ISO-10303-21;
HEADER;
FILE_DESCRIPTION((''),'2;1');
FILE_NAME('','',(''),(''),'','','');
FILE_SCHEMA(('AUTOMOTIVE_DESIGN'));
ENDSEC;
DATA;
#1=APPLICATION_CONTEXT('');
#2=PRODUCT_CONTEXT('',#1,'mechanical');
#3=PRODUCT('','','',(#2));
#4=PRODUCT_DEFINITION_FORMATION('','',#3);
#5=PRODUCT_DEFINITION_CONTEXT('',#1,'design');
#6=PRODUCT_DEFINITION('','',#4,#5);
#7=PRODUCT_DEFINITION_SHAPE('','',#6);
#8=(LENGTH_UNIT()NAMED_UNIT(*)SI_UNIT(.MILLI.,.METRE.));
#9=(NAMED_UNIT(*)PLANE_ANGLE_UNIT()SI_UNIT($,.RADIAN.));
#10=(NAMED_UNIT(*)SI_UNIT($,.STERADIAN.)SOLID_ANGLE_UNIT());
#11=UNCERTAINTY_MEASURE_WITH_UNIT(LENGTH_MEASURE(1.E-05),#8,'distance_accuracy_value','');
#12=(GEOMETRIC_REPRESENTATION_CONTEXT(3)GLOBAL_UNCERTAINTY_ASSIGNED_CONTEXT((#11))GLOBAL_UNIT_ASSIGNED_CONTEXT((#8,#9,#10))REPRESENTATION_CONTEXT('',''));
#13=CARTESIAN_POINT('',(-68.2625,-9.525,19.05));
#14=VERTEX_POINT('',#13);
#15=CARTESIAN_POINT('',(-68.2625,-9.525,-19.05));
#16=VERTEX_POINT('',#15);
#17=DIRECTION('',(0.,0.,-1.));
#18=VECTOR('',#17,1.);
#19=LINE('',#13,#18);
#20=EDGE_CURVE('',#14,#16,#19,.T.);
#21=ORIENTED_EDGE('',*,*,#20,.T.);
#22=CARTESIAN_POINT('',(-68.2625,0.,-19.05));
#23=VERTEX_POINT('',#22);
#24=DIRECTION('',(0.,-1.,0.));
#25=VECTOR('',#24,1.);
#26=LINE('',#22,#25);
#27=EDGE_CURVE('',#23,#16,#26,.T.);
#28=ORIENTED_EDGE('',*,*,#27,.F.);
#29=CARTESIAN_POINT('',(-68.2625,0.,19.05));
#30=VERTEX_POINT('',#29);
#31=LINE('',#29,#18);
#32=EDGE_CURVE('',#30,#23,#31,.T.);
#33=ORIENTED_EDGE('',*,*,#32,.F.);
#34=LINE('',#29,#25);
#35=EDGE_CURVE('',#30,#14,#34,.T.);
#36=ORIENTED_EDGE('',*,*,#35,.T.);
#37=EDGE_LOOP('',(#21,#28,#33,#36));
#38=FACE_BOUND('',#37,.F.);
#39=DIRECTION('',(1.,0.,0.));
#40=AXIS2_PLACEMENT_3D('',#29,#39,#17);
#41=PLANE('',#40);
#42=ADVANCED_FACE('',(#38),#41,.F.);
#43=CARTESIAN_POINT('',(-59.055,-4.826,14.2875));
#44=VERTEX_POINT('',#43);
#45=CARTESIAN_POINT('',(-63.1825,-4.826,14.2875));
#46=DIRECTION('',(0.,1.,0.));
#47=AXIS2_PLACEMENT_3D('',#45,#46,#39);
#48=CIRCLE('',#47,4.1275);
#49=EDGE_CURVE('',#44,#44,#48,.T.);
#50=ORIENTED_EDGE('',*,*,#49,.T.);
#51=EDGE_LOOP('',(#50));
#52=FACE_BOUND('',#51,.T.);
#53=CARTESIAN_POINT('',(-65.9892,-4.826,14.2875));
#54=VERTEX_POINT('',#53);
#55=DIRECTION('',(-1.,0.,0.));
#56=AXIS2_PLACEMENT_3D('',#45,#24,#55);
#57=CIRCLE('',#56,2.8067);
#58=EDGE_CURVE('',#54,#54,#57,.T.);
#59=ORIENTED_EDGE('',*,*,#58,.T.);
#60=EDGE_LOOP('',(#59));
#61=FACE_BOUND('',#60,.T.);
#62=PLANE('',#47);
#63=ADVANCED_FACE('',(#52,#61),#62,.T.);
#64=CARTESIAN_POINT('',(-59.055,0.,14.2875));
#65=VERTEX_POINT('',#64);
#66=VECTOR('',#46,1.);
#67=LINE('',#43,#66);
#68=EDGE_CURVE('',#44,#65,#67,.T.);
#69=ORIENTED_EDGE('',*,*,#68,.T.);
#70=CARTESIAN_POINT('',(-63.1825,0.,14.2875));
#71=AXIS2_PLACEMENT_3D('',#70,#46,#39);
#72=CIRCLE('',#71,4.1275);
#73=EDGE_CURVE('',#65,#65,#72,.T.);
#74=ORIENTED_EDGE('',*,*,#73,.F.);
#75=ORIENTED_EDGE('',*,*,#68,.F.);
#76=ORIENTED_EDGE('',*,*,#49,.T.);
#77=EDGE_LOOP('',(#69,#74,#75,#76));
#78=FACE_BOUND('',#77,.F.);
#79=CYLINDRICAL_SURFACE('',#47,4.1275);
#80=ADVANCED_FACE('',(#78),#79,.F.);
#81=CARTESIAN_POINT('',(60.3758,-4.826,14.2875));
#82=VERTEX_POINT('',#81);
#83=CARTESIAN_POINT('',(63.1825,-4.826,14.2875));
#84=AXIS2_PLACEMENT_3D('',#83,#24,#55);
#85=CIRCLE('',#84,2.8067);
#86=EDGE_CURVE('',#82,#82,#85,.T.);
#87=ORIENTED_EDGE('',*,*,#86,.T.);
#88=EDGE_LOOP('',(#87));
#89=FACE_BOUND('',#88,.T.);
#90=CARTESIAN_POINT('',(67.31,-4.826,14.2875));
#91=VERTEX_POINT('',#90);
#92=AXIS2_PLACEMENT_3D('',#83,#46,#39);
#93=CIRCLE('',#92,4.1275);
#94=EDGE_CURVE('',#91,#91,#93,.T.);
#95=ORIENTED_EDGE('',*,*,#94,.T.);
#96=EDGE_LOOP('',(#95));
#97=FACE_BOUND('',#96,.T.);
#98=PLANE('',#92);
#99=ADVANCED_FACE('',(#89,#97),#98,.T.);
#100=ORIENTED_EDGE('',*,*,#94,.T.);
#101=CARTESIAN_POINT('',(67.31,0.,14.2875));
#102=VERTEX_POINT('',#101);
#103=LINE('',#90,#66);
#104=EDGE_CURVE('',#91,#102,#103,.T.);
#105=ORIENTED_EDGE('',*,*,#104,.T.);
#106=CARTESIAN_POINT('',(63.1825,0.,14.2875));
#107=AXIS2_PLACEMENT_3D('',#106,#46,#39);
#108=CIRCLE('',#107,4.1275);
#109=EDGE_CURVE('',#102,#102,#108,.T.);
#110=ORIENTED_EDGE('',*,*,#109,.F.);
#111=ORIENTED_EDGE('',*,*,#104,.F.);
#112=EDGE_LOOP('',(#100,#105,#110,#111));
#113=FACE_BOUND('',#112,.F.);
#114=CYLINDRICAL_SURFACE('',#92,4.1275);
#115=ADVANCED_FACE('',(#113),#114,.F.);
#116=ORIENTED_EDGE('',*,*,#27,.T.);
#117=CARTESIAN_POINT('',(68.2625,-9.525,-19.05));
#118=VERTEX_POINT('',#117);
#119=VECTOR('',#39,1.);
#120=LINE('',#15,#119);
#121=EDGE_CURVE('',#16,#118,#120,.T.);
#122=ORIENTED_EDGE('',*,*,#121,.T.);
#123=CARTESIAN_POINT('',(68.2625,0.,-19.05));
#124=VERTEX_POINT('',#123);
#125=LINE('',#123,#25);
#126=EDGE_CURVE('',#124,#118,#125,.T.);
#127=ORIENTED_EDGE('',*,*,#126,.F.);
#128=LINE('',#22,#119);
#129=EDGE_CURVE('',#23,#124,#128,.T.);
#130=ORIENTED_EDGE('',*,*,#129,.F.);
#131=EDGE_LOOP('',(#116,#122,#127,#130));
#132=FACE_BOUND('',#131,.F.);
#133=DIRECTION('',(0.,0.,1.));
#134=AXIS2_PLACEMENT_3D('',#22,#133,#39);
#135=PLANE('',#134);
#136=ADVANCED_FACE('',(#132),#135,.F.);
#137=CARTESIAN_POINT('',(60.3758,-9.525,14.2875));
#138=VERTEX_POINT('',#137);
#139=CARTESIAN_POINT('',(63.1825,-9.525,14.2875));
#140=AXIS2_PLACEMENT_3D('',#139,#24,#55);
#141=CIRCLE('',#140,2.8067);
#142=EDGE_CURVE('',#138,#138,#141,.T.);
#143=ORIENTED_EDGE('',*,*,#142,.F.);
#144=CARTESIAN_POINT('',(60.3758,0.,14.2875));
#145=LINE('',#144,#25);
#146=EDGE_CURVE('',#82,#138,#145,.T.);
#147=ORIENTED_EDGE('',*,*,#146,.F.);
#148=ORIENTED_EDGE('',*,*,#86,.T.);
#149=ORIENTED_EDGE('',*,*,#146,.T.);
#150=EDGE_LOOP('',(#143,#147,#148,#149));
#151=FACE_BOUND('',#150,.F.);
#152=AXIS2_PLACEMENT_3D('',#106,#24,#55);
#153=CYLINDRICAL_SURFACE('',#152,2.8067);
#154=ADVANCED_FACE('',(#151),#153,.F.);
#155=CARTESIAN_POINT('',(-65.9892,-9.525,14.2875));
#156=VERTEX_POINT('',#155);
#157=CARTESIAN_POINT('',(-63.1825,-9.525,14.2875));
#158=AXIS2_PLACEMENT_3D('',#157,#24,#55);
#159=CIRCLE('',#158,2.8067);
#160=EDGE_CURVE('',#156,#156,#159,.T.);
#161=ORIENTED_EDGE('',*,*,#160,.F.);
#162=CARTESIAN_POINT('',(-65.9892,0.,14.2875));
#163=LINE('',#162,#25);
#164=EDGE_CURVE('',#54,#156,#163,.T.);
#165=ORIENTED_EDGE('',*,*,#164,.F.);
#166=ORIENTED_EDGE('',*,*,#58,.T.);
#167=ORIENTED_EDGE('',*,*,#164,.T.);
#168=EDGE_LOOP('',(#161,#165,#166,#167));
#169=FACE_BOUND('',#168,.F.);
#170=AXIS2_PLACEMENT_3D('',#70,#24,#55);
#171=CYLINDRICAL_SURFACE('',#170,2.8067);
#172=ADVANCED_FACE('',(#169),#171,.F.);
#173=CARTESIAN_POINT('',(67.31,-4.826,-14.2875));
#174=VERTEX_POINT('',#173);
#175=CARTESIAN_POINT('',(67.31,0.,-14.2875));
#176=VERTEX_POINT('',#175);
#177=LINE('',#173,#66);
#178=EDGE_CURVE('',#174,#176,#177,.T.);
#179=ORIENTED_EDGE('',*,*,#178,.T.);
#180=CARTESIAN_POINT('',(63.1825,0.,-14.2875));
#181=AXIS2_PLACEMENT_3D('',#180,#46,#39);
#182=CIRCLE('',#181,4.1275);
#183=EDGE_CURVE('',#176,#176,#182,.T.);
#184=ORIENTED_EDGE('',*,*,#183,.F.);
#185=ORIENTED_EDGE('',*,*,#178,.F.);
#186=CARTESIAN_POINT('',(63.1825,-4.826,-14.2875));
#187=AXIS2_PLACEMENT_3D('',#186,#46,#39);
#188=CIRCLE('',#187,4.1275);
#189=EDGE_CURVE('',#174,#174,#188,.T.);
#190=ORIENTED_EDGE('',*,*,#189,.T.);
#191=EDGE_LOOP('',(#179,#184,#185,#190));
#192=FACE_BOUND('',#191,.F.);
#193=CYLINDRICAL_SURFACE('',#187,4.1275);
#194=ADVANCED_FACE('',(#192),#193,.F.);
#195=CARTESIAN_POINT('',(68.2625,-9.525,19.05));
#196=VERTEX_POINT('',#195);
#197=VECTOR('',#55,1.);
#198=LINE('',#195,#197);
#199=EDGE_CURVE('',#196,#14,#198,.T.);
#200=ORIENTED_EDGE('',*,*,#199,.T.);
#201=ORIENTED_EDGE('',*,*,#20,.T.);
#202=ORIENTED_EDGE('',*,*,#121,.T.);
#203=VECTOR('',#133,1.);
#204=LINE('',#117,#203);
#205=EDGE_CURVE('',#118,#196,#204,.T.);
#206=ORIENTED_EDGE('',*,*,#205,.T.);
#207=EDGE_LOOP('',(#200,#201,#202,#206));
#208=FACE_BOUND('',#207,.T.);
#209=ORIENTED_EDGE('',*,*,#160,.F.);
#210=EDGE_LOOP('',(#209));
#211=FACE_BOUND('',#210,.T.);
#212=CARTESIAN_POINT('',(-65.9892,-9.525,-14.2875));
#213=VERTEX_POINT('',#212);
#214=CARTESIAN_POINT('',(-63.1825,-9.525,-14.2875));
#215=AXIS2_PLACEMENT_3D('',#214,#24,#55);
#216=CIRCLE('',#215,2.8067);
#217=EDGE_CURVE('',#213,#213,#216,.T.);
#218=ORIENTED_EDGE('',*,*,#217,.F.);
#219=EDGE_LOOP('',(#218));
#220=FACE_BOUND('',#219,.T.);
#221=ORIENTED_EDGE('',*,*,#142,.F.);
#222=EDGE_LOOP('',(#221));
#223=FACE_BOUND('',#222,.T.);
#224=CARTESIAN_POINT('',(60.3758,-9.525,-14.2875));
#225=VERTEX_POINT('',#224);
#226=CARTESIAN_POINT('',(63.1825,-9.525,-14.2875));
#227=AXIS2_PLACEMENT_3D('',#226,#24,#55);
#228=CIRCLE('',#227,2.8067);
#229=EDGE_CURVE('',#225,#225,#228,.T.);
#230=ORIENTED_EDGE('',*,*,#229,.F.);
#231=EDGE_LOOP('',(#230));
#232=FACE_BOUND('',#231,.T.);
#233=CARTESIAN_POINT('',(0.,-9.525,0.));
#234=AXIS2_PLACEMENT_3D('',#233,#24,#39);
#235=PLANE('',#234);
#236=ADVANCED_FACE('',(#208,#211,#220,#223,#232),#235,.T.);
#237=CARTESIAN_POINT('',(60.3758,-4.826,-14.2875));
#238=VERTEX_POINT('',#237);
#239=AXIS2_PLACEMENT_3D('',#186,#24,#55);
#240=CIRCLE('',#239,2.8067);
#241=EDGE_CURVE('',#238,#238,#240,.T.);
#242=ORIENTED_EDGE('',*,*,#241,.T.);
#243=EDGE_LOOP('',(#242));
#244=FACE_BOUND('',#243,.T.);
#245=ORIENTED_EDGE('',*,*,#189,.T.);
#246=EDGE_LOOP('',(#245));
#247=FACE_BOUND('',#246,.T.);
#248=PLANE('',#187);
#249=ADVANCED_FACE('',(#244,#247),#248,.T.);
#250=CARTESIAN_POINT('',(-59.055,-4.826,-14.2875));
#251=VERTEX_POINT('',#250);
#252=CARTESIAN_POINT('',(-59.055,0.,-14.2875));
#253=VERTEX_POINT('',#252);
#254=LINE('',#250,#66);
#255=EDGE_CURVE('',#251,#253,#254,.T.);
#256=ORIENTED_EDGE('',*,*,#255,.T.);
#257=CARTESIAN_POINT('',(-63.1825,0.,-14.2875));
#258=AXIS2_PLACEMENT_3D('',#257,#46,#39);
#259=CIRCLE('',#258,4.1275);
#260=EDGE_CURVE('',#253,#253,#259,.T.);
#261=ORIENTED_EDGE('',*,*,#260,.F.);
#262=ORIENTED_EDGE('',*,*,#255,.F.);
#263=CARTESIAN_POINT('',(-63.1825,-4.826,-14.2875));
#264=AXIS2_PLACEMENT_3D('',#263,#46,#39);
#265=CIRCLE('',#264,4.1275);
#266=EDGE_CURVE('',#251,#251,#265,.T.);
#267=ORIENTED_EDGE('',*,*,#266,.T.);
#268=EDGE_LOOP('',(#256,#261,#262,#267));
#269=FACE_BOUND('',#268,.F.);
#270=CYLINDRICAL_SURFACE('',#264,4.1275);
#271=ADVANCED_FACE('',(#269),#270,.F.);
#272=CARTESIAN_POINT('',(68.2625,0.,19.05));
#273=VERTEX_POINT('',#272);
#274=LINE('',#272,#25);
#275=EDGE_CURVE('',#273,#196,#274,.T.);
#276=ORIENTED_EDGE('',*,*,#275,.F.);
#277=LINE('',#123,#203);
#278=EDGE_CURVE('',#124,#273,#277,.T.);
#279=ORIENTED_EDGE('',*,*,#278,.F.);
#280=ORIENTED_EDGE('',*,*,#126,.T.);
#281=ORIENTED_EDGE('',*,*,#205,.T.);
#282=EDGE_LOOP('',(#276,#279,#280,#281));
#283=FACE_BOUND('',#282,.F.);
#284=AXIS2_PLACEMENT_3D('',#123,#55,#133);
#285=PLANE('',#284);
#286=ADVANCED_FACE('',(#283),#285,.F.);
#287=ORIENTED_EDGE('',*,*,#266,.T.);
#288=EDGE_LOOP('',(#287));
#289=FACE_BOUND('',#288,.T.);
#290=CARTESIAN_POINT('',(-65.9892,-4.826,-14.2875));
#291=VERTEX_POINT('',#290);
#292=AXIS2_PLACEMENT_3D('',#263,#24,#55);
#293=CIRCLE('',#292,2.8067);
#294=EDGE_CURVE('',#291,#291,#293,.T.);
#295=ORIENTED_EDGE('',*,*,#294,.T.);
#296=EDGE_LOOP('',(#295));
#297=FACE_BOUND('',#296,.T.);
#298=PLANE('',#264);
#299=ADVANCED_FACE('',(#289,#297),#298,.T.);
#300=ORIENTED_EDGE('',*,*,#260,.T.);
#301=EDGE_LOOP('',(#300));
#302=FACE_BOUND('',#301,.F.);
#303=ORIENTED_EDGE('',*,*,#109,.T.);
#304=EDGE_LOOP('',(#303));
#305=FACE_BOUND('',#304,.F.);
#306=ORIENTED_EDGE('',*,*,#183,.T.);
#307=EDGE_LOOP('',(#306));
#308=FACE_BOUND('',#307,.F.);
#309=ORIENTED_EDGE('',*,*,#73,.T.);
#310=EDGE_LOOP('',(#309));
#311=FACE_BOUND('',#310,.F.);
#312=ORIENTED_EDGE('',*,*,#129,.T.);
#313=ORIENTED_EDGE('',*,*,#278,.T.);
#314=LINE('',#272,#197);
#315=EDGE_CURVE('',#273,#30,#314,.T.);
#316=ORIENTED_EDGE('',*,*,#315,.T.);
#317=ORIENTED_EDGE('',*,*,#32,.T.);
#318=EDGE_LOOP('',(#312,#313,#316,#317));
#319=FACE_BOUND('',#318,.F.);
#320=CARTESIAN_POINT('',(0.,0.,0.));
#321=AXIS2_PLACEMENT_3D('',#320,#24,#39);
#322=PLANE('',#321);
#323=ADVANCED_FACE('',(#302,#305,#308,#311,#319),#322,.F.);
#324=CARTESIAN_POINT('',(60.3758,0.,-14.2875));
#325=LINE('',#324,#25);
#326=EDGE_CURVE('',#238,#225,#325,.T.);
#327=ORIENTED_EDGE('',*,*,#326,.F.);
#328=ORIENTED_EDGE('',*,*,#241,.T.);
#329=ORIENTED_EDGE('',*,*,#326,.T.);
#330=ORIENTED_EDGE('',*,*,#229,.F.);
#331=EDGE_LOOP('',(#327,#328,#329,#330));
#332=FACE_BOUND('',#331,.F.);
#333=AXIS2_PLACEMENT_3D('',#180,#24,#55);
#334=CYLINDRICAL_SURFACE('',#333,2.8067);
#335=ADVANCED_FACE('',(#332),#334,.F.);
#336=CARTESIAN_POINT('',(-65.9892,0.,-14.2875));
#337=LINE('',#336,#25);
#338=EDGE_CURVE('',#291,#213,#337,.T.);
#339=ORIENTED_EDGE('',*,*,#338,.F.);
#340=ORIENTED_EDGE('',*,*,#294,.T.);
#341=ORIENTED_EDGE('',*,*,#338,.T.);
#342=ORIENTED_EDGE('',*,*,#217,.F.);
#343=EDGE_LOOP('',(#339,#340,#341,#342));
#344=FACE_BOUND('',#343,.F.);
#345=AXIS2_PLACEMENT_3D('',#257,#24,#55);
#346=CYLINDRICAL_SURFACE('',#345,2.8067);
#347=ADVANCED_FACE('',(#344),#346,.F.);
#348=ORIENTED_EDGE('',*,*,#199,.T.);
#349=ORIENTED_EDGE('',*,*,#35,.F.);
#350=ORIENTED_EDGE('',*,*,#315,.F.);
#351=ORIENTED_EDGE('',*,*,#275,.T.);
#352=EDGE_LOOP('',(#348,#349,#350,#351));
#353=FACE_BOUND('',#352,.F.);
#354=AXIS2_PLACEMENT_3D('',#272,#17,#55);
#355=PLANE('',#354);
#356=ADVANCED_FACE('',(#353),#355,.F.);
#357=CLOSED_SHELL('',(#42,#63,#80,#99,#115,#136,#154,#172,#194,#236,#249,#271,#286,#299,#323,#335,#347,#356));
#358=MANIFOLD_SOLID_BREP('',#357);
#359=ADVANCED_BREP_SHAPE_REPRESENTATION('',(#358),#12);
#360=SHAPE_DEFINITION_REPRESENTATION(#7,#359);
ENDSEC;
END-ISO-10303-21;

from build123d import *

# Parameters (mm, degrees)
F1_DEPTH       = 9.525
F2_D           = 5.6134
F2_DEPTH       = 9.525
F2_CBORE_D     = 8.255
F2_CBORE_DEPTH = 4.826


with BuildPart() as f1:
    # F0 (on Front) → F1 (new body)
    with BuildSketch(Plane.XZ):
        Polygon((30.1625, 19.05), (-68.2625, 19.05), (-68.2625, -19.05), (68.2625, -19.05), (68.2625, 19.05), align=None)
    extrude(amount=F1_DEPTH)

    # F2
    with Locations(Plane(origin=(0, 0, 0), x_dir=(1, 0, 0), z_dir=(0, 1, 0))):
        with Locations((-63.1825, 14.2875), (-63.1825, -14.2875), (63.1825, -14.2875), (63.1825, 14.2875)):
            CounterBoreHole(F2_D / 2, F2_CBORE_D / 2, F2_CBORE_DEPTH, depth=F2_DEPTH)


solid = f1.part
